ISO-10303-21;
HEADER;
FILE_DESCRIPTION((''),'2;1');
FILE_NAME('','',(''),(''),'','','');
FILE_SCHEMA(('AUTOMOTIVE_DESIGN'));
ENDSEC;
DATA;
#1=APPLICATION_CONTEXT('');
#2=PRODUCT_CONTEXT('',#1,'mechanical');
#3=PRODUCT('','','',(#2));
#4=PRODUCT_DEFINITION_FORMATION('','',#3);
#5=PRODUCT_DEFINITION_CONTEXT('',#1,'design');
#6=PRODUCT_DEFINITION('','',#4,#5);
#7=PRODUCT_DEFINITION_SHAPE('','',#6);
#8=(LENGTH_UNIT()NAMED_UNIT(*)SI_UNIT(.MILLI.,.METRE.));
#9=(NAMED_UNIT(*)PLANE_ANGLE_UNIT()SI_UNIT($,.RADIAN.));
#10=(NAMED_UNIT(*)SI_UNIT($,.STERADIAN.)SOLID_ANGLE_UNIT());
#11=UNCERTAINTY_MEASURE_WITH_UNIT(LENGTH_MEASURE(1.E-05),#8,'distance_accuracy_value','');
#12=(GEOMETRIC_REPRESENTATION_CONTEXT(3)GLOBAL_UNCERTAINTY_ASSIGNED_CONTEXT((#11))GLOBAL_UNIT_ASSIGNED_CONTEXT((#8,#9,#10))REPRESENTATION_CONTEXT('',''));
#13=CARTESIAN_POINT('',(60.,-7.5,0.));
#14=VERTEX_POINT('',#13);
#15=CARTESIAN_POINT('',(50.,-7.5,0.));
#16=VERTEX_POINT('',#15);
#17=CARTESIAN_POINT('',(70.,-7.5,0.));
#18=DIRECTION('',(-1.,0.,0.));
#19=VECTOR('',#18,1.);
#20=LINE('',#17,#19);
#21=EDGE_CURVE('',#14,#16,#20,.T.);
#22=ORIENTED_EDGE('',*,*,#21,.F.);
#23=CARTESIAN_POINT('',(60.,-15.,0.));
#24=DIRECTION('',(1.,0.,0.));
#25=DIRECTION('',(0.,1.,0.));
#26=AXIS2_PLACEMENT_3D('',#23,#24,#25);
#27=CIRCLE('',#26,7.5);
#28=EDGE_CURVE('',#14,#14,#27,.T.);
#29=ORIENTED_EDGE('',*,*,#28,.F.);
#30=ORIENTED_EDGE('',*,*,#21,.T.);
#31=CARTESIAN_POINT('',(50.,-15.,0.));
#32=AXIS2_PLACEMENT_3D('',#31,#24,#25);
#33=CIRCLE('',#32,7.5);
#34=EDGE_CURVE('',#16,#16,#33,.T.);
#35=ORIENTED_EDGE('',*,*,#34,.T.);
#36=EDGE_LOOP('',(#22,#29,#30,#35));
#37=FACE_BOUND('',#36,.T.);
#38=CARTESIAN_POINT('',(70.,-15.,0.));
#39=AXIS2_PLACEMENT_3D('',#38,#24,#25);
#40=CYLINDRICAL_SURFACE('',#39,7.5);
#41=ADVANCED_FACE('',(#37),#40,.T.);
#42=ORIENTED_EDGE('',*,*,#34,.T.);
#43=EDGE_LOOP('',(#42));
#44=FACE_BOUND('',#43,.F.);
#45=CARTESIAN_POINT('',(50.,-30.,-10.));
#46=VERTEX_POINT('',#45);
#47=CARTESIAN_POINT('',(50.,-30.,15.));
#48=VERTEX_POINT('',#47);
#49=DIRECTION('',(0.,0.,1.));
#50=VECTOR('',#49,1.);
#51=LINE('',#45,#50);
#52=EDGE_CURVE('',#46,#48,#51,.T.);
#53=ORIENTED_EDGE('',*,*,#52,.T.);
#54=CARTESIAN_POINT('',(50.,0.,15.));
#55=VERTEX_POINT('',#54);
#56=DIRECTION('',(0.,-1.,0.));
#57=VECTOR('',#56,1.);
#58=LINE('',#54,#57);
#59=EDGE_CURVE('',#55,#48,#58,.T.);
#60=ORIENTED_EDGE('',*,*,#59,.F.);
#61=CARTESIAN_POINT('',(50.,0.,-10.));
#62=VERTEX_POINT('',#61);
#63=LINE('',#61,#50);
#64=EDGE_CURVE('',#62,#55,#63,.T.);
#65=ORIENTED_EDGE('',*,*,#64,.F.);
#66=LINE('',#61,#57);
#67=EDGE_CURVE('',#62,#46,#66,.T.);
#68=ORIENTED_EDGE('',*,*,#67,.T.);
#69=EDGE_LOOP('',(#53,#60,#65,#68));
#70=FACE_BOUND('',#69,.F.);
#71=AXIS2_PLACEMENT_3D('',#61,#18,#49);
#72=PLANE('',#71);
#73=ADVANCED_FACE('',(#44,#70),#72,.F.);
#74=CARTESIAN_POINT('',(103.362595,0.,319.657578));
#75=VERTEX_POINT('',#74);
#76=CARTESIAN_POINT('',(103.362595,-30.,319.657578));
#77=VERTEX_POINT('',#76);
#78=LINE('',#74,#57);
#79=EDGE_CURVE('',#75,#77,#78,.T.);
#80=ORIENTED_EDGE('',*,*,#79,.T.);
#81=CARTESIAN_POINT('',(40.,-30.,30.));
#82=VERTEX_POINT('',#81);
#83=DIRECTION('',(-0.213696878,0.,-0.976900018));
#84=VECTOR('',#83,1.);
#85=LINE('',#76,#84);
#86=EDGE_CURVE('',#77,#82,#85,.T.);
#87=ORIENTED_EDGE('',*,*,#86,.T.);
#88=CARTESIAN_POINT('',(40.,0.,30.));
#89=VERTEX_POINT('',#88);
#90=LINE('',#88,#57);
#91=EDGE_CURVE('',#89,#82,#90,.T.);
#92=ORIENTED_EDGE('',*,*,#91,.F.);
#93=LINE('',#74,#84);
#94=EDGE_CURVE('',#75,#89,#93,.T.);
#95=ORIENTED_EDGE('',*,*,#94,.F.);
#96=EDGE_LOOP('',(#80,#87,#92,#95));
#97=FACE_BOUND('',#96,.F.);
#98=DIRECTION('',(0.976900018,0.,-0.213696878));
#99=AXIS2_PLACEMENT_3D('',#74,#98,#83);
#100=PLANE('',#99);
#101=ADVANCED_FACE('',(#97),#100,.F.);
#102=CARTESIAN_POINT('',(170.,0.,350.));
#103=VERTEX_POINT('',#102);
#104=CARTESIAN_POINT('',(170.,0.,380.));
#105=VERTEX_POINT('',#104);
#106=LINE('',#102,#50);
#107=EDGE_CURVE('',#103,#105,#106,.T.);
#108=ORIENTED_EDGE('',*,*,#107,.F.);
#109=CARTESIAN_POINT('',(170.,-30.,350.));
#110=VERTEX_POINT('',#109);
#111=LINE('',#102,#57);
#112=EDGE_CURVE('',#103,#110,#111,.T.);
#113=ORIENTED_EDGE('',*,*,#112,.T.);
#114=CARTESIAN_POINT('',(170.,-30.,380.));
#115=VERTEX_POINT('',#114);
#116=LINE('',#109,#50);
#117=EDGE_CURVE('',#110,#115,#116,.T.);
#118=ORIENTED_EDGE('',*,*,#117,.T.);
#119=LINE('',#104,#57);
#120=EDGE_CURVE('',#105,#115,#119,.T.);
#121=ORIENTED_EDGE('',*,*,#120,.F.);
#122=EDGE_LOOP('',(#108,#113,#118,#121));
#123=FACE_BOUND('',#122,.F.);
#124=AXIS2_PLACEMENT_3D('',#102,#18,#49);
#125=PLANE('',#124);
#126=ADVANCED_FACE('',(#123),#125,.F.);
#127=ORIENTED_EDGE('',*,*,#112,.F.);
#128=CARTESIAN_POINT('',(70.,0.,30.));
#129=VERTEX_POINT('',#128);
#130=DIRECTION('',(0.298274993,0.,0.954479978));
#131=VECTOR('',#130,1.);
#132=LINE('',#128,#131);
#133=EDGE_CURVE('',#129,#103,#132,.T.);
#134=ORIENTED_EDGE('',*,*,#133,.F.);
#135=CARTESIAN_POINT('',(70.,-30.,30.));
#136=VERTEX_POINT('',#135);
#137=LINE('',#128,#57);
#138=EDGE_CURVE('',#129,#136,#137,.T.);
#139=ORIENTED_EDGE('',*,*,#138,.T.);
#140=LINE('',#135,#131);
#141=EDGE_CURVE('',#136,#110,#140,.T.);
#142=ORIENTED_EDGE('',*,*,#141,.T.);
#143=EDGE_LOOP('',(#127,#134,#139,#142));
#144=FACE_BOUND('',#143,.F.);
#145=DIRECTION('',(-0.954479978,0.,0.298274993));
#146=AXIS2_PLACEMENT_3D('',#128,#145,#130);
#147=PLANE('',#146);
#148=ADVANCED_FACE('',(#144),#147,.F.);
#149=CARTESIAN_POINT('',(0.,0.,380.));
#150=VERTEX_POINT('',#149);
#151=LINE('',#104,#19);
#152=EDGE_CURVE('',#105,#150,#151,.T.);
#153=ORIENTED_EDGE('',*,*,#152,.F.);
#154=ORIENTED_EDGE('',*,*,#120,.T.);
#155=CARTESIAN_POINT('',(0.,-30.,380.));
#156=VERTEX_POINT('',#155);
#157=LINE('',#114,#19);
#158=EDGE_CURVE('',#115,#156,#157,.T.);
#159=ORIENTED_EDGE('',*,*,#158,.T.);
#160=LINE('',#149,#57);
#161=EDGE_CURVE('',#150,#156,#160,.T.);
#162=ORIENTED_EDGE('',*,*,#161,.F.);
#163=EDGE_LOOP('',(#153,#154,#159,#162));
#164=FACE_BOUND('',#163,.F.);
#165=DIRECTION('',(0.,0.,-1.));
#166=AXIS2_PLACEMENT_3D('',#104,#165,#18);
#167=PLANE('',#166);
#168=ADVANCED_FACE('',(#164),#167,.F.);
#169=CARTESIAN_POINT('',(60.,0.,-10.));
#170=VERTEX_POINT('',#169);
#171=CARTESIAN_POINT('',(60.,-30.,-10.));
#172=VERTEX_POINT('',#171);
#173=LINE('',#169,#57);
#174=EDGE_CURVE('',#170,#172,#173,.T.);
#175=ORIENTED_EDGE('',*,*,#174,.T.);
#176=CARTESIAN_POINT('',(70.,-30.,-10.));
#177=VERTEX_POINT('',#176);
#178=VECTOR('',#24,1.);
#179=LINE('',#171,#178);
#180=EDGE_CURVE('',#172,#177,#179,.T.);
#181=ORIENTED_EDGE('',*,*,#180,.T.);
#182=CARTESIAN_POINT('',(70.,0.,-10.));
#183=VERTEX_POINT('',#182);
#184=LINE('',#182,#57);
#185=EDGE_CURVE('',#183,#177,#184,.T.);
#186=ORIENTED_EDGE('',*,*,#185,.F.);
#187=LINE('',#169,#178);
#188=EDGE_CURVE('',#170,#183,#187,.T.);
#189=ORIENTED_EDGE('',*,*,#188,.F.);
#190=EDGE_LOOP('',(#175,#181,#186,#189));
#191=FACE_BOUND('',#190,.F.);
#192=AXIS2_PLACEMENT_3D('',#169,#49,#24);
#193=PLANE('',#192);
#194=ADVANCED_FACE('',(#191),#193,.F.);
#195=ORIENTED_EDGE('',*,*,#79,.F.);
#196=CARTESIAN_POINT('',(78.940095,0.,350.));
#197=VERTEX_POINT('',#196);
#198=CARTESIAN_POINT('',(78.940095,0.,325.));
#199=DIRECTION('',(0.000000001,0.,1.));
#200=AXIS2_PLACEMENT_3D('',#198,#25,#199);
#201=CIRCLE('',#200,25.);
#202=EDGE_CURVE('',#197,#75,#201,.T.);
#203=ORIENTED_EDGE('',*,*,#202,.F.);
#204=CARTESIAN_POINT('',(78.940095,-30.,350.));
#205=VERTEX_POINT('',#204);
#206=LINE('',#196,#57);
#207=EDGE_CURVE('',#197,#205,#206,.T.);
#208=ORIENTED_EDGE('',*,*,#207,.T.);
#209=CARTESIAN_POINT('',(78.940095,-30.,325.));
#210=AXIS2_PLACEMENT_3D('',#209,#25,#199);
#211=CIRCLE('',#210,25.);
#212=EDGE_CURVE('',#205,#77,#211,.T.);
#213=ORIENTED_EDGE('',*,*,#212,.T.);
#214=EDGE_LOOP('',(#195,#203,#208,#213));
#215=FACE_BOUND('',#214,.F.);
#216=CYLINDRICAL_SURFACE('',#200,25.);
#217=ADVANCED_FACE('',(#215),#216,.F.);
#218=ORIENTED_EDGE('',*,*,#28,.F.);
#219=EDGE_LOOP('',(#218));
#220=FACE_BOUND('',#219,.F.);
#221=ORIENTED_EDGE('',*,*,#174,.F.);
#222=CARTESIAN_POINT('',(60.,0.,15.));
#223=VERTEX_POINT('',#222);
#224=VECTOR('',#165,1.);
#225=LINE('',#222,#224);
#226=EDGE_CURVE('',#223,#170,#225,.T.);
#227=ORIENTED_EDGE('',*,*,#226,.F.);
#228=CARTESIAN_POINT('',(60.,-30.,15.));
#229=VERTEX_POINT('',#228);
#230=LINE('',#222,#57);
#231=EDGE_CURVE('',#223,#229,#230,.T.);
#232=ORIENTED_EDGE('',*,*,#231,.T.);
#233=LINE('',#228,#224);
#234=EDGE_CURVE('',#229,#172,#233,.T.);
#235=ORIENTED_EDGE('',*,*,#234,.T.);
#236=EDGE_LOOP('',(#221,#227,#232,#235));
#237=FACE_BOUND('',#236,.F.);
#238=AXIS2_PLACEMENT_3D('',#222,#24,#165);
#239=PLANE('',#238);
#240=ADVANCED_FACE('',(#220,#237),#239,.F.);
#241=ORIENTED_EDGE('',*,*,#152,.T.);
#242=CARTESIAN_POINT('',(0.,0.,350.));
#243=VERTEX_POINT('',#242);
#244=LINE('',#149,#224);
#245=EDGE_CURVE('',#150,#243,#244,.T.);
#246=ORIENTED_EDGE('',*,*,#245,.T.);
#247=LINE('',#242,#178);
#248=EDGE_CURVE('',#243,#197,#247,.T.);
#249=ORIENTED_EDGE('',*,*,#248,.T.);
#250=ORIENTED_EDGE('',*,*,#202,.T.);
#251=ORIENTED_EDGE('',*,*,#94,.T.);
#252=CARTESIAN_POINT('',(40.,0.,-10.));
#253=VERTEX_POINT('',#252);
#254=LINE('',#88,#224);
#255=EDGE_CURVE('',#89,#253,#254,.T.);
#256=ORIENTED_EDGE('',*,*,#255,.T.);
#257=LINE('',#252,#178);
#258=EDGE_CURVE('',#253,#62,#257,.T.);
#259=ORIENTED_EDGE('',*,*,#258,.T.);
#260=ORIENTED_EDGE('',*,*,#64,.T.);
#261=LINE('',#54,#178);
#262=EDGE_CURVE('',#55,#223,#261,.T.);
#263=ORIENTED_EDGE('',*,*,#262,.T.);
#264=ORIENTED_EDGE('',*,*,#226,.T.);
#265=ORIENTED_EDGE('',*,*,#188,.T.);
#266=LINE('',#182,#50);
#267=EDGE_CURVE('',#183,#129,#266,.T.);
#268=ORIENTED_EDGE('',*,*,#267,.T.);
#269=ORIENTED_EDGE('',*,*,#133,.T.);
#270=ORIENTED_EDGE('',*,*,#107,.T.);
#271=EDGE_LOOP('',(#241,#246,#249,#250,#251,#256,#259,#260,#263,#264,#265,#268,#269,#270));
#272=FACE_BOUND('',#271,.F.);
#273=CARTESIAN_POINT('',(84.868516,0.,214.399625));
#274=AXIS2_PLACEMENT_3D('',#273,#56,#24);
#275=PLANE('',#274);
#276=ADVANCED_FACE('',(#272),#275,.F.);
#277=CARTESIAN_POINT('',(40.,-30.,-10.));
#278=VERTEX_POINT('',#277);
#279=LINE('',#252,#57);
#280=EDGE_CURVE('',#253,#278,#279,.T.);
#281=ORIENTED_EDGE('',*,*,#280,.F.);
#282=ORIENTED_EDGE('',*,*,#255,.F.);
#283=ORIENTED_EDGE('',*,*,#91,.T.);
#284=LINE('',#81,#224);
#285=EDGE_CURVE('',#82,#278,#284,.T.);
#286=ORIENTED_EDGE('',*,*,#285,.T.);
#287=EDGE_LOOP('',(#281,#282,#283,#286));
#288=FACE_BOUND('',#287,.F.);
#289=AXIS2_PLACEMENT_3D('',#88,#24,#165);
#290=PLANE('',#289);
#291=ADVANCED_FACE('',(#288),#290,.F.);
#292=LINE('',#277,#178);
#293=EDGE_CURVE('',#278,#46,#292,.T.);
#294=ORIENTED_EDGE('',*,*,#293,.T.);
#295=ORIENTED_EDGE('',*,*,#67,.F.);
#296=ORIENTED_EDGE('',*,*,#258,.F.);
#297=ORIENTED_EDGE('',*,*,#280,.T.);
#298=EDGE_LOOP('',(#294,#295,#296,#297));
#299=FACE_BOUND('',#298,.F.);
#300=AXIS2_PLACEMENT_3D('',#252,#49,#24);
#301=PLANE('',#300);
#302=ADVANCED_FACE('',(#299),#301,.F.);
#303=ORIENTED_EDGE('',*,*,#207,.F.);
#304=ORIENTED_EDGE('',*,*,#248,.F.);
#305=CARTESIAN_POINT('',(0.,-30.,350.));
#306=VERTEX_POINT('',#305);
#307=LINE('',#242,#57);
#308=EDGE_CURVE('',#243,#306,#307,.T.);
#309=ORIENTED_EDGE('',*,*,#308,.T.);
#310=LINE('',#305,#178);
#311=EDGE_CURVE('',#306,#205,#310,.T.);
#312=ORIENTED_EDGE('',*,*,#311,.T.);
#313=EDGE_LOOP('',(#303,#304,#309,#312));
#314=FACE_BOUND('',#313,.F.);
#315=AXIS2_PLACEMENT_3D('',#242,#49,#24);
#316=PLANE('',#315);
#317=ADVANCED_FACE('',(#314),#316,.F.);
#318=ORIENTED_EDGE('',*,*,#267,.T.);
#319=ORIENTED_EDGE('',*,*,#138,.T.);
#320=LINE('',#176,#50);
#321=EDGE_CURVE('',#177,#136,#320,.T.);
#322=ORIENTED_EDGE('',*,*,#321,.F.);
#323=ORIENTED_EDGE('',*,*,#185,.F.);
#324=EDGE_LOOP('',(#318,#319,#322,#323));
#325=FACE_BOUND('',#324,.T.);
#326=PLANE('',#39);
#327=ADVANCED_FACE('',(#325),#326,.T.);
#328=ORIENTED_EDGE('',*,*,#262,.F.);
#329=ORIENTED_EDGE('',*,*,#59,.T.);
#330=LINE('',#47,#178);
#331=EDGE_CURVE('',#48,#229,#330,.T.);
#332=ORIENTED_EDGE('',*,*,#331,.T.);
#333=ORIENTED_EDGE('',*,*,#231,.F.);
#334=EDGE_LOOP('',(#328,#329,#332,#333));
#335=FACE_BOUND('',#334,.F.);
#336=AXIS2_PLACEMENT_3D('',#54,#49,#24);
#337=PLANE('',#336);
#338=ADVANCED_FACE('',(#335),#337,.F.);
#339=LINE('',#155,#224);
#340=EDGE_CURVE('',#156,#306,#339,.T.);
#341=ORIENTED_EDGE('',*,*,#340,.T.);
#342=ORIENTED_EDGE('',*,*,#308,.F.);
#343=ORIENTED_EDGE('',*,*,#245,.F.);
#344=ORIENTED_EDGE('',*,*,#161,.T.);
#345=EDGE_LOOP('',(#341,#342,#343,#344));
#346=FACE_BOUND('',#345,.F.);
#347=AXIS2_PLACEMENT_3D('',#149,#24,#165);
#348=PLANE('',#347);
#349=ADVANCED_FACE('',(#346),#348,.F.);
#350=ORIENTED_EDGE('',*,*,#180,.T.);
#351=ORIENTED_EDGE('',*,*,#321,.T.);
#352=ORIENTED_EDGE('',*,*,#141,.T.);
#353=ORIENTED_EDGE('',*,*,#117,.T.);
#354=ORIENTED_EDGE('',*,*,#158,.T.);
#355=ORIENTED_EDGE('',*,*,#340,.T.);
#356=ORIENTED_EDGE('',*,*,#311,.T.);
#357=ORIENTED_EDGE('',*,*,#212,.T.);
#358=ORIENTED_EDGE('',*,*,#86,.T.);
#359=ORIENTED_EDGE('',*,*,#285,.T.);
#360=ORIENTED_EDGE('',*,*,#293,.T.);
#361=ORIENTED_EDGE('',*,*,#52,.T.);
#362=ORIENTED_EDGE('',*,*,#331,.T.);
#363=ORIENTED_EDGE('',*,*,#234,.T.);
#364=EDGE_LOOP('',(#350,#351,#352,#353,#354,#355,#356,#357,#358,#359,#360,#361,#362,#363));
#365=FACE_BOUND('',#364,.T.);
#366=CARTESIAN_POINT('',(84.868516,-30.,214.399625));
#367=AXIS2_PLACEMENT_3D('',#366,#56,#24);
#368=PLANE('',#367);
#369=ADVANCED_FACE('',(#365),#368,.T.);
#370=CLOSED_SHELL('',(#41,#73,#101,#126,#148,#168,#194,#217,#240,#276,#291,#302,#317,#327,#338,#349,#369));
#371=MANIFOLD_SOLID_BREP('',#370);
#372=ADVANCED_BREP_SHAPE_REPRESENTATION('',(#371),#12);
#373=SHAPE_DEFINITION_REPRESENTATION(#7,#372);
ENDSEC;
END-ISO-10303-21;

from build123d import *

# Parameters (mm, degrees)
F1_DEPTH = 30
F2_R     = 7.5
F3_DEPTH = 22.9


with BuildPart() as f1:
    # F0 (on Front) → F1 (new body)
    with BuildSketch(Plane.XZ):
        with BuildLine():
            ThreePointArc((78.940095, 350), (98.415214, 340.67545), (103.362595, 319.657578))
            Line((103.362595, 319.657578), (40, 30))
            Line((40, 30), (40, 0))
            Line((40, 0), (40, -10))
            Line((40, -10), (50, -10))
            Line((50, -10), (50, 15))
            Line((50, 15), (60, 15))
            Line((60, 15), (60, -10))
            Line((60, -10), (70, -10))
            Line((70, -10), (70, 0))
            Line((70, 0), (70, 30))
            Line((70, 30), (170, 350))
            Line((170, 350), (170, 380))
            Line((170, 380), (0, 380))
            Line((0, 380), (0, 350))
            Line((0, 350), (78.940095, 350))
        make_face()
    extrude(amount=F1_DEPTH)

    # F2 (on face) → F3 (join)
    with BuildSketch(Plane.YZ.offset(70)):
        with Locations((-15, 0)):
            Circle(F2_R)
    extrude(amount=-F3_DEPTH)


solid = f1.part
